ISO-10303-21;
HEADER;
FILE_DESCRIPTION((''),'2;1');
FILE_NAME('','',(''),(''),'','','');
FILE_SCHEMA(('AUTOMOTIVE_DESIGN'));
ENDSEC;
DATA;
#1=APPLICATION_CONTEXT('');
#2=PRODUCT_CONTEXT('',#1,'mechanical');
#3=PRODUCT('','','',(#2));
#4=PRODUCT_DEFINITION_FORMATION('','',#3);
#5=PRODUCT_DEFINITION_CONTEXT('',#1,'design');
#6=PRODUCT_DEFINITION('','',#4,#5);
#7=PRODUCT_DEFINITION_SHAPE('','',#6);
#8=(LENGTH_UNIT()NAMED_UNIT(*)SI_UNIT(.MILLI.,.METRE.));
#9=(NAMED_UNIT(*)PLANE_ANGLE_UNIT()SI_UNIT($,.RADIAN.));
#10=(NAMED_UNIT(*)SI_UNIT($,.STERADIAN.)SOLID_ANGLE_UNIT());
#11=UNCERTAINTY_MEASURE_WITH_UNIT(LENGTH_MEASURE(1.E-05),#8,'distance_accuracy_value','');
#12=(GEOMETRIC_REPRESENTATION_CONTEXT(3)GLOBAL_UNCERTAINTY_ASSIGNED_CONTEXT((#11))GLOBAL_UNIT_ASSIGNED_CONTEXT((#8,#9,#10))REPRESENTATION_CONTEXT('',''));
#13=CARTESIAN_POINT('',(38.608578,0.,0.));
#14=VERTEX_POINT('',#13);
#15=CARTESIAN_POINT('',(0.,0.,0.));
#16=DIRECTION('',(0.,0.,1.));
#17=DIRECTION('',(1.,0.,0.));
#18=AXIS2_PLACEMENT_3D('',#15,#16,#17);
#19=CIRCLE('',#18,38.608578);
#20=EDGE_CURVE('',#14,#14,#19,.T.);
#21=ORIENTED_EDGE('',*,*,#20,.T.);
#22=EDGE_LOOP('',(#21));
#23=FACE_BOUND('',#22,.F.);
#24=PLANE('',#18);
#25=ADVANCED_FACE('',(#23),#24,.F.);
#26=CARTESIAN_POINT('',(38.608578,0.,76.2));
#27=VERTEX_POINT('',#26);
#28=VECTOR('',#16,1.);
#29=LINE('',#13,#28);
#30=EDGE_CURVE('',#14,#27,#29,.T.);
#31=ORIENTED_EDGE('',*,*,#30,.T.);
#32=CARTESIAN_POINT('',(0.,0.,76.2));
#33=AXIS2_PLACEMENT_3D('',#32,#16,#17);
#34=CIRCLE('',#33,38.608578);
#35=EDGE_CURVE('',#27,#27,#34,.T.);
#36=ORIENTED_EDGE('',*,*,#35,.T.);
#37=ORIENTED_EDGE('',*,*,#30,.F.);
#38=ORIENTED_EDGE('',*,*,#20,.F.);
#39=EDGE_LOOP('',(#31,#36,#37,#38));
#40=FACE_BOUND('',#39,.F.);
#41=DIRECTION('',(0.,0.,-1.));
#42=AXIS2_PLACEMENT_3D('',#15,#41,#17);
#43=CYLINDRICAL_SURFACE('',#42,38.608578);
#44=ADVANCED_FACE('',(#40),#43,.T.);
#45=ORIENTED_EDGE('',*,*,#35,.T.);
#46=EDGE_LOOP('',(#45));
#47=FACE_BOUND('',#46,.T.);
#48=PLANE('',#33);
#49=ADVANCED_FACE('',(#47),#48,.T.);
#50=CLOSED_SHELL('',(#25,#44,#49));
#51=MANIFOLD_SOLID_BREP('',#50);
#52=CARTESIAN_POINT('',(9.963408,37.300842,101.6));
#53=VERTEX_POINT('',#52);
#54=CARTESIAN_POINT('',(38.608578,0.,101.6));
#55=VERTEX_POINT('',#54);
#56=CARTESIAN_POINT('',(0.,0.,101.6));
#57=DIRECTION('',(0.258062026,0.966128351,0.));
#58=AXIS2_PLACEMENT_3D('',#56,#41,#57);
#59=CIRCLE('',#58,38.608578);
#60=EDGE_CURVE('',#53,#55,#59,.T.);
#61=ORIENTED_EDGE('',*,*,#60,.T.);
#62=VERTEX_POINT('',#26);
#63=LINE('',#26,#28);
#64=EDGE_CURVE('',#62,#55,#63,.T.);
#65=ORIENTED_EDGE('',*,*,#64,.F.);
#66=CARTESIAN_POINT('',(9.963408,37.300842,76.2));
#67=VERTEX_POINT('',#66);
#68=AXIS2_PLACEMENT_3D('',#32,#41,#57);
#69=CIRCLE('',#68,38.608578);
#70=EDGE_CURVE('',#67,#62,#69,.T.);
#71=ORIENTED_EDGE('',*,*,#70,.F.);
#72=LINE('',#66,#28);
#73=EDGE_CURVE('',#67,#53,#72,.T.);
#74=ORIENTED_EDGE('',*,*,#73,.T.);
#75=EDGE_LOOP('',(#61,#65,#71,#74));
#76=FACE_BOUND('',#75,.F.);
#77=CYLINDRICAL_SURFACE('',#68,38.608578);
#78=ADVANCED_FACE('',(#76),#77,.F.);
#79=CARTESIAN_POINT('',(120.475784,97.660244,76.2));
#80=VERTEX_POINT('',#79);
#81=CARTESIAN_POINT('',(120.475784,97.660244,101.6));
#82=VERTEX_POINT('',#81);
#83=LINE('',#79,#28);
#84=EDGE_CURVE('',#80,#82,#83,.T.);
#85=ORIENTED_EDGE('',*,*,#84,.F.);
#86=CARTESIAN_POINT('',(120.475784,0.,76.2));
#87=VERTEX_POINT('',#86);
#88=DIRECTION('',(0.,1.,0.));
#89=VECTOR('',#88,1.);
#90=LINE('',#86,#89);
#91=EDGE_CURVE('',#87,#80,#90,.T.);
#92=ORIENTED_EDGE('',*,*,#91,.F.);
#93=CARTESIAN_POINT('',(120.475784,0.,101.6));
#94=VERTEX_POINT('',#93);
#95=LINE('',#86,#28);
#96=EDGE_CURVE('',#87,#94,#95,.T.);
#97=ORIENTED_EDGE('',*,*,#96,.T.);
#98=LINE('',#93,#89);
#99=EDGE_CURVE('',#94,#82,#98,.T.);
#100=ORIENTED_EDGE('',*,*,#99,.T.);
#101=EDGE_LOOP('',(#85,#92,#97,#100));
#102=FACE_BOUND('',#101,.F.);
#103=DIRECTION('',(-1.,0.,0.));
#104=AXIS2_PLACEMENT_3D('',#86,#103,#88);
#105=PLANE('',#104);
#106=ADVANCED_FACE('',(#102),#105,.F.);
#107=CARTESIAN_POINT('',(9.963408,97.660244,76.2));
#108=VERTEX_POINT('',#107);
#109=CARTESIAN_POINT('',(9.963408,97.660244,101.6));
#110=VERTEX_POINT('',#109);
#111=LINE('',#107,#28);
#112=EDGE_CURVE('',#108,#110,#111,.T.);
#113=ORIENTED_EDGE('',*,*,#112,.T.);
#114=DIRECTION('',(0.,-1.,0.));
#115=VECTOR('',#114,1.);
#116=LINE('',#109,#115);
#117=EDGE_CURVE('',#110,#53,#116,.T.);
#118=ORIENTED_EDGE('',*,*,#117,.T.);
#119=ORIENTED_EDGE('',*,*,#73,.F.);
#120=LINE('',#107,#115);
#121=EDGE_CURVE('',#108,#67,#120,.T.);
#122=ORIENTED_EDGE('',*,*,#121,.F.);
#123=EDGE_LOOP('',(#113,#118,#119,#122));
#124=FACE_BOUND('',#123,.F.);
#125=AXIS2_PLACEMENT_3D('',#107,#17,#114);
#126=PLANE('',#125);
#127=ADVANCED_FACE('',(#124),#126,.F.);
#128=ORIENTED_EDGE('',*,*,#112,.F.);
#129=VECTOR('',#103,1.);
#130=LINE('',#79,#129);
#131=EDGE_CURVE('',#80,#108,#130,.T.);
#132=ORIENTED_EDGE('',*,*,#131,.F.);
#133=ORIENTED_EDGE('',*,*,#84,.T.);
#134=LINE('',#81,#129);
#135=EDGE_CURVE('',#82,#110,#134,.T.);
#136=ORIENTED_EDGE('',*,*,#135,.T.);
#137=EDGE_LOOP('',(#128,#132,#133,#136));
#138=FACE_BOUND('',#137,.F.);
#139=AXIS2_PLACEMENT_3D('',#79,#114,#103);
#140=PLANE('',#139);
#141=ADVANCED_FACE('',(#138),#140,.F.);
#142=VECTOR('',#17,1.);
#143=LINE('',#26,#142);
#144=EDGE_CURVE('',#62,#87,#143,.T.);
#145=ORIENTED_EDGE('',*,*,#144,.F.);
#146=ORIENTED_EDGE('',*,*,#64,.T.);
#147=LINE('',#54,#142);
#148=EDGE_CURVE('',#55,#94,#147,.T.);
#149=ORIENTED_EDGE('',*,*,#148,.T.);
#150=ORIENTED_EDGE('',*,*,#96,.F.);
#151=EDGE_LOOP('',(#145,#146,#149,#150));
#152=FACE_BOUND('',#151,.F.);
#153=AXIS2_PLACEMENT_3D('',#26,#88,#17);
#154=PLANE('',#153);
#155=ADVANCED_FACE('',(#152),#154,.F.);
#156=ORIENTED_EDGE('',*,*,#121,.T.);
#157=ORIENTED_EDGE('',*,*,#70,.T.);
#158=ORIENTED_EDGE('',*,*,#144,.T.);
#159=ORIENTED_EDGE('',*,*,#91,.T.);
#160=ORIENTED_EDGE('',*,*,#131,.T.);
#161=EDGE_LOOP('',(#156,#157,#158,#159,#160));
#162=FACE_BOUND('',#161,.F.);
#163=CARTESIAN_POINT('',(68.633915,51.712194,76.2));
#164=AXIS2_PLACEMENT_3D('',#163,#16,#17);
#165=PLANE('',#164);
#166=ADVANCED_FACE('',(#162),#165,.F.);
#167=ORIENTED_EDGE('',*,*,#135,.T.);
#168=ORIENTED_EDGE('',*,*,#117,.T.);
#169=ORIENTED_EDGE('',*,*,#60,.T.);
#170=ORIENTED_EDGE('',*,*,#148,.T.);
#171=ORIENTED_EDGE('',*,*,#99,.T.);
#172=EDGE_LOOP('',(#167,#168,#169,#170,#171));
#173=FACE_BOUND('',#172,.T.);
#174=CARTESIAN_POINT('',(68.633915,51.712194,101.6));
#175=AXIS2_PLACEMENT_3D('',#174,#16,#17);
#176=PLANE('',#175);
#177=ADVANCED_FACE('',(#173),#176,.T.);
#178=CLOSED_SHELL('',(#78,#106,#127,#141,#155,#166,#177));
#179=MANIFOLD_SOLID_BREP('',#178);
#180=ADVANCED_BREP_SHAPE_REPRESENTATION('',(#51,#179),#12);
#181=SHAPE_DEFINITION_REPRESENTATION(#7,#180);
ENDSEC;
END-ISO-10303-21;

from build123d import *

# Parameters (mm, degrees)
F0_R     = 38.608578
F1_DEPTH = 76.2
F3_DEPTH = 25.4


with BuildPart() as f1:
    # F0 (on Top) → F1 (new body)
    with BuildSketch(Plane.XY):
        Circle(F0_R)
    extrude(amount=F1_DEPTH)


with BuildPart() as f3:
    # F2 (on face) → F3 (new body)
    with BuildSketch(Plane.XY.offset(76.2)):
        with BuildLine():
            ThreePointArc((9.963408, 37.300842), (30.621033, 23.515413), (38.608578, 0))
            Line((38.608578, 0), (120.475784, 0))
            Line((120.475784, 0), (120.475784, 97.660244))
            Line((120.475784, 97.660244), (9.963408, 97.660244))
            Line((9.963408, 97.660244), (9.963408, 37.300842))
        make_face()
    extrude(amount=F3_DEPTH)


solid = Compound([f1.part, f3.part])
